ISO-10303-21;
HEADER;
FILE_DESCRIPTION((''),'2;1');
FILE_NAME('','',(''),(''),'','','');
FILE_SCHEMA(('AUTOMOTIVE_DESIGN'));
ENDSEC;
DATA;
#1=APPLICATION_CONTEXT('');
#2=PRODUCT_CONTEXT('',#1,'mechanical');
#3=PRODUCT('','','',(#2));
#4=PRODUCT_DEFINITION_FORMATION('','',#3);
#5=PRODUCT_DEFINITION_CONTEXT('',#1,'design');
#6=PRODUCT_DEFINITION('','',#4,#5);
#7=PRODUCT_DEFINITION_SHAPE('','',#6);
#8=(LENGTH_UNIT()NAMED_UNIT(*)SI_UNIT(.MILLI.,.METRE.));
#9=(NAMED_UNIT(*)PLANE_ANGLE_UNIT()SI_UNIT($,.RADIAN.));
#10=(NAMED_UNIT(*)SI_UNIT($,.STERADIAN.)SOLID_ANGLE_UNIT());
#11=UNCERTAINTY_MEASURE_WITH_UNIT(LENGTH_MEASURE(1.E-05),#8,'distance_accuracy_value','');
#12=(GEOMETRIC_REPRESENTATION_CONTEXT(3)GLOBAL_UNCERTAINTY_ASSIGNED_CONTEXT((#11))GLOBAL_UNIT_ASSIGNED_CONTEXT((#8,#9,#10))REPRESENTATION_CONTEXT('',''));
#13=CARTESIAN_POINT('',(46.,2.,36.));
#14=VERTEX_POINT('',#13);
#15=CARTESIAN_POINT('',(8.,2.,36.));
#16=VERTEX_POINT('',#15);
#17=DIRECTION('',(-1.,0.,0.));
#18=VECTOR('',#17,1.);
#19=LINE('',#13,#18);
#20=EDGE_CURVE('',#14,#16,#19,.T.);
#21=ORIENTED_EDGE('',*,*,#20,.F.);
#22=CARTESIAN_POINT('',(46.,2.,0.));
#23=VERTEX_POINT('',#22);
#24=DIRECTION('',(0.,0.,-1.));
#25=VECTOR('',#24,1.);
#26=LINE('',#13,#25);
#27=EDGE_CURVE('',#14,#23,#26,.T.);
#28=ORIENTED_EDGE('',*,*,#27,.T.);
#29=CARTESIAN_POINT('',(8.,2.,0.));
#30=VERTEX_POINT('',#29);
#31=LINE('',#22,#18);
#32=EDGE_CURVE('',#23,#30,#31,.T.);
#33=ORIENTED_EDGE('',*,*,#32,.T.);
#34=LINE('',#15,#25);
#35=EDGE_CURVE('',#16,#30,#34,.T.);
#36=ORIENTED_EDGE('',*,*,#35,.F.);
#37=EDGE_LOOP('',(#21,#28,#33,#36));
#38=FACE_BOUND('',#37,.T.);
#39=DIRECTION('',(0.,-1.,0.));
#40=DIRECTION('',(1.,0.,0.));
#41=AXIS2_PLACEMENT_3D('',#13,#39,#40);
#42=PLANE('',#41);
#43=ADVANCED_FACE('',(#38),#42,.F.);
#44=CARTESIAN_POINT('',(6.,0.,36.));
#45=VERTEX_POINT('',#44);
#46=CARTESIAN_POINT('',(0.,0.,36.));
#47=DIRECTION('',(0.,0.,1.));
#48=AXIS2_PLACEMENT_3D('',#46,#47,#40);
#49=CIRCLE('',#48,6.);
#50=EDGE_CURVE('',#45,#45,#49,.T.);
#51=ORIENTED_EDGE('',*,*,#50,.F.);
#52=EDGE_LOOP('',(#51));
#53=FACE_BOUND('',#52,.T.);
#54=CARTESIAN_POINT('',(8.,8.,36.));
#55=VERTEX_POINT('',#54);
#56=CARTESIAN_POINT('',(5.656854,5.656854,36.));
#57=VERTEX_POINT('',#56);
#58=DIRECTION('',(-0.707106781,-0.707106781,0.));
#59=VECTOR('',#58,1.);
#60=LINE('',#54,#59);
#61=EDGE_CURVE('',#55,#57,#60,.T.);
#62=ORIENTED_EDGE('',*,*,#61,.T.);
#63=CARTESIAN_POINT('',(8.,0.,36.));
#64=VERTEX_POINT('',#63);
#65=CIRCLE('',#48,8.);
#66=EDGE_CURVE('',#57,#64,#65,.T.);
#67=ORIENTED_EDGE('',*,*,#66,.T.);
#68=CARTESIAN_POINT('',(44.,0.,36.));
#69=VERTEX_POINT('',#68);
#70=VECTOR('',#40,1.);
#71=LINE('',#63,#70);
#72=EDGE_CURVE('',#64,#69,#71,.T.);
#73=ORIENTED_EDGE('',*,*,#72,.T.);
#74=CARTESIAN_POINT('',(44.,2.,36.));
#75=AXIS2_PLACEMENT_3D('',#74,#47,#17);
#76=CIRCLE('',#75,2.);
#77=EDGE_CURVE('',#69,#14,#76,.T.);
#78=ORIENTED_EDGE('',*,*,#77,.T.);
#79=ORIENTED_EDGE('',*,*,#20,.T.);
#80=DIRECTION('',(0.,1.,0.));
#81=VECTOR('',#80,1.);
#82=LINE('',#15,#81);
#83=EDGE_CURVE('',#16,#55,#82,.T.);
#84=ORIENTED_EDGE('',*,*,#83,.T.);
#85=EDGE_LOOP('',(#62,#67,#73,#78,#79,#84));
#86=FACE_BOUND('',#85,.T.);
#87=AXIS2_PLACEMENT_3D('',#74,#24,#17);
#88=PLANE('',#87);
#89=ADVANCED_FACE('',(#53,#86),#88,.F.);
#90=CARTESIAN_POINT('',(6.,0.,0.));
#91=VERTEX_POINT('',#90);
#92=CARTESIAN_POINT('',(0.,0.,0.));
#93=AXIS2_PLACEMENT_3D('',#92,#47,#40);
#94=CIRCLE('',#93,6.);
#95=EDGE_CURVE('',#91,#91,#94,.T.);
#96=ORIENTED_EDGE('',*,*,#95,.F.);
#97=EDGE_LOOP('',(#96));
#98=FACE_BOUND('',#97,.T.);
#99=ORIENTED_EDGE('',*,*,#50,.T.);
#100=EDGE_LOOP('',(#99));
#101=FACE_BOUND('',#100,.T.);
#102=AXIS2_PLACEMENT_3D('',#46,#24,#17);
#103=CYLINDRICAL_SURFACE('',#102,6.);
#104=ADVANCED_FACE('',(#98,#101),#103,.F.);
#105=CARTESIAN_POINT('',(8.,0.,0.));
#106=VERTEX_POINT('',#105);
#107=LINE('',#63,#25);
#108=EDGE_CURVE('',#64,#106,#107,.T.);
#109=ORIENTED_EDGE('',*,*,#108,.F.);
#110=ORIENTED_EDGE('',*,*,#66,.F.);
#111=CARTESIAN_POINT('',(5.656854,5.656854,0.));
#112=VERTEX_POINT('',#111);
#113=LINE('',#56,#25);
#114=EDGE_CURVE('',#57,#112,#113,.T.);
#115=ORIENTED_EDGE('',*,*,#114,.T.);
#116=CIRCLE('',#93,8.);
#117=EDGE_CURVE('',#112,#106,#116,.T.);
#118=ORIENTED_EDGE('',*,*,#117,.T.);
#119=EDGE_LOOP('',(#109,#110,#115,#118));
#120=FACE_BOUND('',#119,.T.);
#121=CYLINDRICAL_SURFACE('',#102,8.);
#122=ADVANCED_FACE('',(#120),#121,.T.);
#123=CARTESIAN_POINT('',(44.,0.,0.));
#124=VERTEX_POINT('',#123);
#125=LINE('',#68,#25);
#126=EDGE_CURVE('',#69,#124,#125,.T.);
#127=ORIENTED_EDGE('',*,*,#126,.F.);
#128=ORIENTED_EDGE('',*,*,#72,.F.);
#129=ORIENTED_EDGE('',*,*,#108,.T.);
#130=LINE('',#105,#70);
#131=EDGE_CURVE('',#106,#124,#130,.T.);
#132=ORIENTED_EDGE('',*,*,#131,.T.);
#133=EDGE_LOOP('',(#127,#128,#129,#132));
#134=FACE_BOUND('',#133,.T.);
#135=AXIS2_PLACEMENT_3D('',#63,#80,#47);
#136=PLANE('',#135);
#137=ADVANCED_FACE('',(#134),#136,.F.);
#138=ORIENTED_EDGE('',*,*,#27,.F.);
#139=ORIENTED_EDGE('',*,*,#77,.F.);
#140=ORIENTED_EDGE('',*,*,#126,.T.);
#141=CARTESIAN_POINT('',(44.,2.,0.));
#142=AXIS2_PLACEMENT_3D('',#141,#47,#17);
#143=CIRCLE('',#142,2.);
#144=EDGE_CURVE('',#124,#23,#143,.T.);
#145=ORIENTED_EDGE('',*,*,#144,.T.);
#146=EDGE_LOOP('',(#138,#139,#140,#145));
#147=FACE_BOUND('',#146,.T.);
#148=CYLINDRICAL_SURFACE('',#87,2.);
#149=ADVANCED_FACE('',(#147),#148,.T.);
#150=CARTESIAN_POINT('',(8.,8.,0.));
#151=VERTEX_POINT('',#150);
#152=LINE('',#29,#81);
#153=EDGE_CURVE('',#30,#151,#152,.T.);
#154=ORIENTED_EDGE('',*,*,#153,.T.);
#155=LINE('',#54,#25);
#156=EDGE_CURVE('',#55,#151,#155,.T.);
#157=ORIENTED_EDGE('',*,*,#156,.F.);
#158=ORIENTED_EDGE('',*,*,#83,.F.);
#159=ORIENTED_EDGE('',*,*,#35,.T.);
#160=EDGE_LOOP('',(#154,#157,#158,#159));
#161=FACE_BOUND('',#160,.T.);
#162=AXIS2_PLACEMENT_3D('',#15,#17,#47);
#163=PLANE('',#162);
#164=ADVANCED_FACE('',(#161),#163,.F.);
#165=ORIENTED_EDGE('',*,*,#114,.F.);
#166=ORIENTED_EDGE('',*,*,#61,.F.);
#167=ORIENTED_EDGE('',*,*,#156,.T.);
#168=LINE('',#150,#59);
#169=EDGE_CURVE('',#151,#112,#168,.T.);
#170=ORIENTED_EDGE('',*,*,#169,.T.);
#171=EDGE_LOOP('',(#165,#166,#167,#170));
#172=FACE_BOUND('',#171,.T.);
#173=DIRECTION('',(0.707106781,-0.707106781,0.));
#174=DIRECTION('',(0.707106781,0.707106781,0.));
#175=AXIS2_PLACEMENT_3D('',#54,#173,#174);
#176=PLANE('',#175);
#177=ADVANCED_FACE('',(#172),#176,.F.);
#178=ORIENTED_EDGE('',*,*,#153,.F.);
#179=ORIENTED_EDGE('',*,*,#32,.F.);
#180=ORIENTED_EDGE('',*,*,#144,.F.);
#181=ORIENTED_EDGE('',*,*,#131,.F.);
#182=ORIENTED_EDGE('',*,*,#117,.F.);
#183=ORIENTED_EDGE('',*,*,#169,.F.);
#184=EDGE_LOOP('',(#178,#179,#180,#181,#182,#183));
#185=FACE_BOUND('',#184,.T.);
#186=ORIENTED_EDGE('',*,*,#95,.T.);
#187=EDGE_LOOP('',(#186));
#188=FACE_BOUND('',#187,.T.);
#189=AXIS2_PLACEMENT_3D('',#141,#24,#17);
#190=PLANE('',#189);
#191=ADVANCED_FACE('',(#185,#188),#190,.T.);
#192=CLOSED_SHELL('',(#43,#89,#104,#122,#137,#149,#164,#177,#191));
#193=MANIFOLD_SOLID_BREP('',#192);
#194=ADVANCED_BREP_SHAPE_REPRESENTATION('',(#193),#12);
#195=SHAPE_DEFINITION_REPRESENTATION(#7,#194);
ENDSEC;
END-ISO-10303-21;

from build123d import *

# Parameters (mm, degrees)
SKETCH2_R           = 6
BOSS_EXTRUDE2_DEPTH = 36


with BuildPart() as part:
    # Sketch2 → Boss-Extrude2 (new body)
    with BuildSketch(Plane.XY):
        with BuildLine():
            Line((46, 2), (8, 2))
            Line((8, 2), (8, 8))
            Line((8, 8), (5.656854249, 5.656854249))
            ThreePointArc((5.656854249, 5.656854249), (-7.39103626, -3.061467459), (8, 0))
            Line((8, 0), (44, 0))
            ThreePointArc((44, 0), (45.414213562, 0.585786438), (46, 2))
        make_face()
        Circle(SKETCH2_R, mode=Mode.SUBTRACT)
    extrude(amount=BOSS_EXTRUDE2_DEPTH)


solid = part.part
